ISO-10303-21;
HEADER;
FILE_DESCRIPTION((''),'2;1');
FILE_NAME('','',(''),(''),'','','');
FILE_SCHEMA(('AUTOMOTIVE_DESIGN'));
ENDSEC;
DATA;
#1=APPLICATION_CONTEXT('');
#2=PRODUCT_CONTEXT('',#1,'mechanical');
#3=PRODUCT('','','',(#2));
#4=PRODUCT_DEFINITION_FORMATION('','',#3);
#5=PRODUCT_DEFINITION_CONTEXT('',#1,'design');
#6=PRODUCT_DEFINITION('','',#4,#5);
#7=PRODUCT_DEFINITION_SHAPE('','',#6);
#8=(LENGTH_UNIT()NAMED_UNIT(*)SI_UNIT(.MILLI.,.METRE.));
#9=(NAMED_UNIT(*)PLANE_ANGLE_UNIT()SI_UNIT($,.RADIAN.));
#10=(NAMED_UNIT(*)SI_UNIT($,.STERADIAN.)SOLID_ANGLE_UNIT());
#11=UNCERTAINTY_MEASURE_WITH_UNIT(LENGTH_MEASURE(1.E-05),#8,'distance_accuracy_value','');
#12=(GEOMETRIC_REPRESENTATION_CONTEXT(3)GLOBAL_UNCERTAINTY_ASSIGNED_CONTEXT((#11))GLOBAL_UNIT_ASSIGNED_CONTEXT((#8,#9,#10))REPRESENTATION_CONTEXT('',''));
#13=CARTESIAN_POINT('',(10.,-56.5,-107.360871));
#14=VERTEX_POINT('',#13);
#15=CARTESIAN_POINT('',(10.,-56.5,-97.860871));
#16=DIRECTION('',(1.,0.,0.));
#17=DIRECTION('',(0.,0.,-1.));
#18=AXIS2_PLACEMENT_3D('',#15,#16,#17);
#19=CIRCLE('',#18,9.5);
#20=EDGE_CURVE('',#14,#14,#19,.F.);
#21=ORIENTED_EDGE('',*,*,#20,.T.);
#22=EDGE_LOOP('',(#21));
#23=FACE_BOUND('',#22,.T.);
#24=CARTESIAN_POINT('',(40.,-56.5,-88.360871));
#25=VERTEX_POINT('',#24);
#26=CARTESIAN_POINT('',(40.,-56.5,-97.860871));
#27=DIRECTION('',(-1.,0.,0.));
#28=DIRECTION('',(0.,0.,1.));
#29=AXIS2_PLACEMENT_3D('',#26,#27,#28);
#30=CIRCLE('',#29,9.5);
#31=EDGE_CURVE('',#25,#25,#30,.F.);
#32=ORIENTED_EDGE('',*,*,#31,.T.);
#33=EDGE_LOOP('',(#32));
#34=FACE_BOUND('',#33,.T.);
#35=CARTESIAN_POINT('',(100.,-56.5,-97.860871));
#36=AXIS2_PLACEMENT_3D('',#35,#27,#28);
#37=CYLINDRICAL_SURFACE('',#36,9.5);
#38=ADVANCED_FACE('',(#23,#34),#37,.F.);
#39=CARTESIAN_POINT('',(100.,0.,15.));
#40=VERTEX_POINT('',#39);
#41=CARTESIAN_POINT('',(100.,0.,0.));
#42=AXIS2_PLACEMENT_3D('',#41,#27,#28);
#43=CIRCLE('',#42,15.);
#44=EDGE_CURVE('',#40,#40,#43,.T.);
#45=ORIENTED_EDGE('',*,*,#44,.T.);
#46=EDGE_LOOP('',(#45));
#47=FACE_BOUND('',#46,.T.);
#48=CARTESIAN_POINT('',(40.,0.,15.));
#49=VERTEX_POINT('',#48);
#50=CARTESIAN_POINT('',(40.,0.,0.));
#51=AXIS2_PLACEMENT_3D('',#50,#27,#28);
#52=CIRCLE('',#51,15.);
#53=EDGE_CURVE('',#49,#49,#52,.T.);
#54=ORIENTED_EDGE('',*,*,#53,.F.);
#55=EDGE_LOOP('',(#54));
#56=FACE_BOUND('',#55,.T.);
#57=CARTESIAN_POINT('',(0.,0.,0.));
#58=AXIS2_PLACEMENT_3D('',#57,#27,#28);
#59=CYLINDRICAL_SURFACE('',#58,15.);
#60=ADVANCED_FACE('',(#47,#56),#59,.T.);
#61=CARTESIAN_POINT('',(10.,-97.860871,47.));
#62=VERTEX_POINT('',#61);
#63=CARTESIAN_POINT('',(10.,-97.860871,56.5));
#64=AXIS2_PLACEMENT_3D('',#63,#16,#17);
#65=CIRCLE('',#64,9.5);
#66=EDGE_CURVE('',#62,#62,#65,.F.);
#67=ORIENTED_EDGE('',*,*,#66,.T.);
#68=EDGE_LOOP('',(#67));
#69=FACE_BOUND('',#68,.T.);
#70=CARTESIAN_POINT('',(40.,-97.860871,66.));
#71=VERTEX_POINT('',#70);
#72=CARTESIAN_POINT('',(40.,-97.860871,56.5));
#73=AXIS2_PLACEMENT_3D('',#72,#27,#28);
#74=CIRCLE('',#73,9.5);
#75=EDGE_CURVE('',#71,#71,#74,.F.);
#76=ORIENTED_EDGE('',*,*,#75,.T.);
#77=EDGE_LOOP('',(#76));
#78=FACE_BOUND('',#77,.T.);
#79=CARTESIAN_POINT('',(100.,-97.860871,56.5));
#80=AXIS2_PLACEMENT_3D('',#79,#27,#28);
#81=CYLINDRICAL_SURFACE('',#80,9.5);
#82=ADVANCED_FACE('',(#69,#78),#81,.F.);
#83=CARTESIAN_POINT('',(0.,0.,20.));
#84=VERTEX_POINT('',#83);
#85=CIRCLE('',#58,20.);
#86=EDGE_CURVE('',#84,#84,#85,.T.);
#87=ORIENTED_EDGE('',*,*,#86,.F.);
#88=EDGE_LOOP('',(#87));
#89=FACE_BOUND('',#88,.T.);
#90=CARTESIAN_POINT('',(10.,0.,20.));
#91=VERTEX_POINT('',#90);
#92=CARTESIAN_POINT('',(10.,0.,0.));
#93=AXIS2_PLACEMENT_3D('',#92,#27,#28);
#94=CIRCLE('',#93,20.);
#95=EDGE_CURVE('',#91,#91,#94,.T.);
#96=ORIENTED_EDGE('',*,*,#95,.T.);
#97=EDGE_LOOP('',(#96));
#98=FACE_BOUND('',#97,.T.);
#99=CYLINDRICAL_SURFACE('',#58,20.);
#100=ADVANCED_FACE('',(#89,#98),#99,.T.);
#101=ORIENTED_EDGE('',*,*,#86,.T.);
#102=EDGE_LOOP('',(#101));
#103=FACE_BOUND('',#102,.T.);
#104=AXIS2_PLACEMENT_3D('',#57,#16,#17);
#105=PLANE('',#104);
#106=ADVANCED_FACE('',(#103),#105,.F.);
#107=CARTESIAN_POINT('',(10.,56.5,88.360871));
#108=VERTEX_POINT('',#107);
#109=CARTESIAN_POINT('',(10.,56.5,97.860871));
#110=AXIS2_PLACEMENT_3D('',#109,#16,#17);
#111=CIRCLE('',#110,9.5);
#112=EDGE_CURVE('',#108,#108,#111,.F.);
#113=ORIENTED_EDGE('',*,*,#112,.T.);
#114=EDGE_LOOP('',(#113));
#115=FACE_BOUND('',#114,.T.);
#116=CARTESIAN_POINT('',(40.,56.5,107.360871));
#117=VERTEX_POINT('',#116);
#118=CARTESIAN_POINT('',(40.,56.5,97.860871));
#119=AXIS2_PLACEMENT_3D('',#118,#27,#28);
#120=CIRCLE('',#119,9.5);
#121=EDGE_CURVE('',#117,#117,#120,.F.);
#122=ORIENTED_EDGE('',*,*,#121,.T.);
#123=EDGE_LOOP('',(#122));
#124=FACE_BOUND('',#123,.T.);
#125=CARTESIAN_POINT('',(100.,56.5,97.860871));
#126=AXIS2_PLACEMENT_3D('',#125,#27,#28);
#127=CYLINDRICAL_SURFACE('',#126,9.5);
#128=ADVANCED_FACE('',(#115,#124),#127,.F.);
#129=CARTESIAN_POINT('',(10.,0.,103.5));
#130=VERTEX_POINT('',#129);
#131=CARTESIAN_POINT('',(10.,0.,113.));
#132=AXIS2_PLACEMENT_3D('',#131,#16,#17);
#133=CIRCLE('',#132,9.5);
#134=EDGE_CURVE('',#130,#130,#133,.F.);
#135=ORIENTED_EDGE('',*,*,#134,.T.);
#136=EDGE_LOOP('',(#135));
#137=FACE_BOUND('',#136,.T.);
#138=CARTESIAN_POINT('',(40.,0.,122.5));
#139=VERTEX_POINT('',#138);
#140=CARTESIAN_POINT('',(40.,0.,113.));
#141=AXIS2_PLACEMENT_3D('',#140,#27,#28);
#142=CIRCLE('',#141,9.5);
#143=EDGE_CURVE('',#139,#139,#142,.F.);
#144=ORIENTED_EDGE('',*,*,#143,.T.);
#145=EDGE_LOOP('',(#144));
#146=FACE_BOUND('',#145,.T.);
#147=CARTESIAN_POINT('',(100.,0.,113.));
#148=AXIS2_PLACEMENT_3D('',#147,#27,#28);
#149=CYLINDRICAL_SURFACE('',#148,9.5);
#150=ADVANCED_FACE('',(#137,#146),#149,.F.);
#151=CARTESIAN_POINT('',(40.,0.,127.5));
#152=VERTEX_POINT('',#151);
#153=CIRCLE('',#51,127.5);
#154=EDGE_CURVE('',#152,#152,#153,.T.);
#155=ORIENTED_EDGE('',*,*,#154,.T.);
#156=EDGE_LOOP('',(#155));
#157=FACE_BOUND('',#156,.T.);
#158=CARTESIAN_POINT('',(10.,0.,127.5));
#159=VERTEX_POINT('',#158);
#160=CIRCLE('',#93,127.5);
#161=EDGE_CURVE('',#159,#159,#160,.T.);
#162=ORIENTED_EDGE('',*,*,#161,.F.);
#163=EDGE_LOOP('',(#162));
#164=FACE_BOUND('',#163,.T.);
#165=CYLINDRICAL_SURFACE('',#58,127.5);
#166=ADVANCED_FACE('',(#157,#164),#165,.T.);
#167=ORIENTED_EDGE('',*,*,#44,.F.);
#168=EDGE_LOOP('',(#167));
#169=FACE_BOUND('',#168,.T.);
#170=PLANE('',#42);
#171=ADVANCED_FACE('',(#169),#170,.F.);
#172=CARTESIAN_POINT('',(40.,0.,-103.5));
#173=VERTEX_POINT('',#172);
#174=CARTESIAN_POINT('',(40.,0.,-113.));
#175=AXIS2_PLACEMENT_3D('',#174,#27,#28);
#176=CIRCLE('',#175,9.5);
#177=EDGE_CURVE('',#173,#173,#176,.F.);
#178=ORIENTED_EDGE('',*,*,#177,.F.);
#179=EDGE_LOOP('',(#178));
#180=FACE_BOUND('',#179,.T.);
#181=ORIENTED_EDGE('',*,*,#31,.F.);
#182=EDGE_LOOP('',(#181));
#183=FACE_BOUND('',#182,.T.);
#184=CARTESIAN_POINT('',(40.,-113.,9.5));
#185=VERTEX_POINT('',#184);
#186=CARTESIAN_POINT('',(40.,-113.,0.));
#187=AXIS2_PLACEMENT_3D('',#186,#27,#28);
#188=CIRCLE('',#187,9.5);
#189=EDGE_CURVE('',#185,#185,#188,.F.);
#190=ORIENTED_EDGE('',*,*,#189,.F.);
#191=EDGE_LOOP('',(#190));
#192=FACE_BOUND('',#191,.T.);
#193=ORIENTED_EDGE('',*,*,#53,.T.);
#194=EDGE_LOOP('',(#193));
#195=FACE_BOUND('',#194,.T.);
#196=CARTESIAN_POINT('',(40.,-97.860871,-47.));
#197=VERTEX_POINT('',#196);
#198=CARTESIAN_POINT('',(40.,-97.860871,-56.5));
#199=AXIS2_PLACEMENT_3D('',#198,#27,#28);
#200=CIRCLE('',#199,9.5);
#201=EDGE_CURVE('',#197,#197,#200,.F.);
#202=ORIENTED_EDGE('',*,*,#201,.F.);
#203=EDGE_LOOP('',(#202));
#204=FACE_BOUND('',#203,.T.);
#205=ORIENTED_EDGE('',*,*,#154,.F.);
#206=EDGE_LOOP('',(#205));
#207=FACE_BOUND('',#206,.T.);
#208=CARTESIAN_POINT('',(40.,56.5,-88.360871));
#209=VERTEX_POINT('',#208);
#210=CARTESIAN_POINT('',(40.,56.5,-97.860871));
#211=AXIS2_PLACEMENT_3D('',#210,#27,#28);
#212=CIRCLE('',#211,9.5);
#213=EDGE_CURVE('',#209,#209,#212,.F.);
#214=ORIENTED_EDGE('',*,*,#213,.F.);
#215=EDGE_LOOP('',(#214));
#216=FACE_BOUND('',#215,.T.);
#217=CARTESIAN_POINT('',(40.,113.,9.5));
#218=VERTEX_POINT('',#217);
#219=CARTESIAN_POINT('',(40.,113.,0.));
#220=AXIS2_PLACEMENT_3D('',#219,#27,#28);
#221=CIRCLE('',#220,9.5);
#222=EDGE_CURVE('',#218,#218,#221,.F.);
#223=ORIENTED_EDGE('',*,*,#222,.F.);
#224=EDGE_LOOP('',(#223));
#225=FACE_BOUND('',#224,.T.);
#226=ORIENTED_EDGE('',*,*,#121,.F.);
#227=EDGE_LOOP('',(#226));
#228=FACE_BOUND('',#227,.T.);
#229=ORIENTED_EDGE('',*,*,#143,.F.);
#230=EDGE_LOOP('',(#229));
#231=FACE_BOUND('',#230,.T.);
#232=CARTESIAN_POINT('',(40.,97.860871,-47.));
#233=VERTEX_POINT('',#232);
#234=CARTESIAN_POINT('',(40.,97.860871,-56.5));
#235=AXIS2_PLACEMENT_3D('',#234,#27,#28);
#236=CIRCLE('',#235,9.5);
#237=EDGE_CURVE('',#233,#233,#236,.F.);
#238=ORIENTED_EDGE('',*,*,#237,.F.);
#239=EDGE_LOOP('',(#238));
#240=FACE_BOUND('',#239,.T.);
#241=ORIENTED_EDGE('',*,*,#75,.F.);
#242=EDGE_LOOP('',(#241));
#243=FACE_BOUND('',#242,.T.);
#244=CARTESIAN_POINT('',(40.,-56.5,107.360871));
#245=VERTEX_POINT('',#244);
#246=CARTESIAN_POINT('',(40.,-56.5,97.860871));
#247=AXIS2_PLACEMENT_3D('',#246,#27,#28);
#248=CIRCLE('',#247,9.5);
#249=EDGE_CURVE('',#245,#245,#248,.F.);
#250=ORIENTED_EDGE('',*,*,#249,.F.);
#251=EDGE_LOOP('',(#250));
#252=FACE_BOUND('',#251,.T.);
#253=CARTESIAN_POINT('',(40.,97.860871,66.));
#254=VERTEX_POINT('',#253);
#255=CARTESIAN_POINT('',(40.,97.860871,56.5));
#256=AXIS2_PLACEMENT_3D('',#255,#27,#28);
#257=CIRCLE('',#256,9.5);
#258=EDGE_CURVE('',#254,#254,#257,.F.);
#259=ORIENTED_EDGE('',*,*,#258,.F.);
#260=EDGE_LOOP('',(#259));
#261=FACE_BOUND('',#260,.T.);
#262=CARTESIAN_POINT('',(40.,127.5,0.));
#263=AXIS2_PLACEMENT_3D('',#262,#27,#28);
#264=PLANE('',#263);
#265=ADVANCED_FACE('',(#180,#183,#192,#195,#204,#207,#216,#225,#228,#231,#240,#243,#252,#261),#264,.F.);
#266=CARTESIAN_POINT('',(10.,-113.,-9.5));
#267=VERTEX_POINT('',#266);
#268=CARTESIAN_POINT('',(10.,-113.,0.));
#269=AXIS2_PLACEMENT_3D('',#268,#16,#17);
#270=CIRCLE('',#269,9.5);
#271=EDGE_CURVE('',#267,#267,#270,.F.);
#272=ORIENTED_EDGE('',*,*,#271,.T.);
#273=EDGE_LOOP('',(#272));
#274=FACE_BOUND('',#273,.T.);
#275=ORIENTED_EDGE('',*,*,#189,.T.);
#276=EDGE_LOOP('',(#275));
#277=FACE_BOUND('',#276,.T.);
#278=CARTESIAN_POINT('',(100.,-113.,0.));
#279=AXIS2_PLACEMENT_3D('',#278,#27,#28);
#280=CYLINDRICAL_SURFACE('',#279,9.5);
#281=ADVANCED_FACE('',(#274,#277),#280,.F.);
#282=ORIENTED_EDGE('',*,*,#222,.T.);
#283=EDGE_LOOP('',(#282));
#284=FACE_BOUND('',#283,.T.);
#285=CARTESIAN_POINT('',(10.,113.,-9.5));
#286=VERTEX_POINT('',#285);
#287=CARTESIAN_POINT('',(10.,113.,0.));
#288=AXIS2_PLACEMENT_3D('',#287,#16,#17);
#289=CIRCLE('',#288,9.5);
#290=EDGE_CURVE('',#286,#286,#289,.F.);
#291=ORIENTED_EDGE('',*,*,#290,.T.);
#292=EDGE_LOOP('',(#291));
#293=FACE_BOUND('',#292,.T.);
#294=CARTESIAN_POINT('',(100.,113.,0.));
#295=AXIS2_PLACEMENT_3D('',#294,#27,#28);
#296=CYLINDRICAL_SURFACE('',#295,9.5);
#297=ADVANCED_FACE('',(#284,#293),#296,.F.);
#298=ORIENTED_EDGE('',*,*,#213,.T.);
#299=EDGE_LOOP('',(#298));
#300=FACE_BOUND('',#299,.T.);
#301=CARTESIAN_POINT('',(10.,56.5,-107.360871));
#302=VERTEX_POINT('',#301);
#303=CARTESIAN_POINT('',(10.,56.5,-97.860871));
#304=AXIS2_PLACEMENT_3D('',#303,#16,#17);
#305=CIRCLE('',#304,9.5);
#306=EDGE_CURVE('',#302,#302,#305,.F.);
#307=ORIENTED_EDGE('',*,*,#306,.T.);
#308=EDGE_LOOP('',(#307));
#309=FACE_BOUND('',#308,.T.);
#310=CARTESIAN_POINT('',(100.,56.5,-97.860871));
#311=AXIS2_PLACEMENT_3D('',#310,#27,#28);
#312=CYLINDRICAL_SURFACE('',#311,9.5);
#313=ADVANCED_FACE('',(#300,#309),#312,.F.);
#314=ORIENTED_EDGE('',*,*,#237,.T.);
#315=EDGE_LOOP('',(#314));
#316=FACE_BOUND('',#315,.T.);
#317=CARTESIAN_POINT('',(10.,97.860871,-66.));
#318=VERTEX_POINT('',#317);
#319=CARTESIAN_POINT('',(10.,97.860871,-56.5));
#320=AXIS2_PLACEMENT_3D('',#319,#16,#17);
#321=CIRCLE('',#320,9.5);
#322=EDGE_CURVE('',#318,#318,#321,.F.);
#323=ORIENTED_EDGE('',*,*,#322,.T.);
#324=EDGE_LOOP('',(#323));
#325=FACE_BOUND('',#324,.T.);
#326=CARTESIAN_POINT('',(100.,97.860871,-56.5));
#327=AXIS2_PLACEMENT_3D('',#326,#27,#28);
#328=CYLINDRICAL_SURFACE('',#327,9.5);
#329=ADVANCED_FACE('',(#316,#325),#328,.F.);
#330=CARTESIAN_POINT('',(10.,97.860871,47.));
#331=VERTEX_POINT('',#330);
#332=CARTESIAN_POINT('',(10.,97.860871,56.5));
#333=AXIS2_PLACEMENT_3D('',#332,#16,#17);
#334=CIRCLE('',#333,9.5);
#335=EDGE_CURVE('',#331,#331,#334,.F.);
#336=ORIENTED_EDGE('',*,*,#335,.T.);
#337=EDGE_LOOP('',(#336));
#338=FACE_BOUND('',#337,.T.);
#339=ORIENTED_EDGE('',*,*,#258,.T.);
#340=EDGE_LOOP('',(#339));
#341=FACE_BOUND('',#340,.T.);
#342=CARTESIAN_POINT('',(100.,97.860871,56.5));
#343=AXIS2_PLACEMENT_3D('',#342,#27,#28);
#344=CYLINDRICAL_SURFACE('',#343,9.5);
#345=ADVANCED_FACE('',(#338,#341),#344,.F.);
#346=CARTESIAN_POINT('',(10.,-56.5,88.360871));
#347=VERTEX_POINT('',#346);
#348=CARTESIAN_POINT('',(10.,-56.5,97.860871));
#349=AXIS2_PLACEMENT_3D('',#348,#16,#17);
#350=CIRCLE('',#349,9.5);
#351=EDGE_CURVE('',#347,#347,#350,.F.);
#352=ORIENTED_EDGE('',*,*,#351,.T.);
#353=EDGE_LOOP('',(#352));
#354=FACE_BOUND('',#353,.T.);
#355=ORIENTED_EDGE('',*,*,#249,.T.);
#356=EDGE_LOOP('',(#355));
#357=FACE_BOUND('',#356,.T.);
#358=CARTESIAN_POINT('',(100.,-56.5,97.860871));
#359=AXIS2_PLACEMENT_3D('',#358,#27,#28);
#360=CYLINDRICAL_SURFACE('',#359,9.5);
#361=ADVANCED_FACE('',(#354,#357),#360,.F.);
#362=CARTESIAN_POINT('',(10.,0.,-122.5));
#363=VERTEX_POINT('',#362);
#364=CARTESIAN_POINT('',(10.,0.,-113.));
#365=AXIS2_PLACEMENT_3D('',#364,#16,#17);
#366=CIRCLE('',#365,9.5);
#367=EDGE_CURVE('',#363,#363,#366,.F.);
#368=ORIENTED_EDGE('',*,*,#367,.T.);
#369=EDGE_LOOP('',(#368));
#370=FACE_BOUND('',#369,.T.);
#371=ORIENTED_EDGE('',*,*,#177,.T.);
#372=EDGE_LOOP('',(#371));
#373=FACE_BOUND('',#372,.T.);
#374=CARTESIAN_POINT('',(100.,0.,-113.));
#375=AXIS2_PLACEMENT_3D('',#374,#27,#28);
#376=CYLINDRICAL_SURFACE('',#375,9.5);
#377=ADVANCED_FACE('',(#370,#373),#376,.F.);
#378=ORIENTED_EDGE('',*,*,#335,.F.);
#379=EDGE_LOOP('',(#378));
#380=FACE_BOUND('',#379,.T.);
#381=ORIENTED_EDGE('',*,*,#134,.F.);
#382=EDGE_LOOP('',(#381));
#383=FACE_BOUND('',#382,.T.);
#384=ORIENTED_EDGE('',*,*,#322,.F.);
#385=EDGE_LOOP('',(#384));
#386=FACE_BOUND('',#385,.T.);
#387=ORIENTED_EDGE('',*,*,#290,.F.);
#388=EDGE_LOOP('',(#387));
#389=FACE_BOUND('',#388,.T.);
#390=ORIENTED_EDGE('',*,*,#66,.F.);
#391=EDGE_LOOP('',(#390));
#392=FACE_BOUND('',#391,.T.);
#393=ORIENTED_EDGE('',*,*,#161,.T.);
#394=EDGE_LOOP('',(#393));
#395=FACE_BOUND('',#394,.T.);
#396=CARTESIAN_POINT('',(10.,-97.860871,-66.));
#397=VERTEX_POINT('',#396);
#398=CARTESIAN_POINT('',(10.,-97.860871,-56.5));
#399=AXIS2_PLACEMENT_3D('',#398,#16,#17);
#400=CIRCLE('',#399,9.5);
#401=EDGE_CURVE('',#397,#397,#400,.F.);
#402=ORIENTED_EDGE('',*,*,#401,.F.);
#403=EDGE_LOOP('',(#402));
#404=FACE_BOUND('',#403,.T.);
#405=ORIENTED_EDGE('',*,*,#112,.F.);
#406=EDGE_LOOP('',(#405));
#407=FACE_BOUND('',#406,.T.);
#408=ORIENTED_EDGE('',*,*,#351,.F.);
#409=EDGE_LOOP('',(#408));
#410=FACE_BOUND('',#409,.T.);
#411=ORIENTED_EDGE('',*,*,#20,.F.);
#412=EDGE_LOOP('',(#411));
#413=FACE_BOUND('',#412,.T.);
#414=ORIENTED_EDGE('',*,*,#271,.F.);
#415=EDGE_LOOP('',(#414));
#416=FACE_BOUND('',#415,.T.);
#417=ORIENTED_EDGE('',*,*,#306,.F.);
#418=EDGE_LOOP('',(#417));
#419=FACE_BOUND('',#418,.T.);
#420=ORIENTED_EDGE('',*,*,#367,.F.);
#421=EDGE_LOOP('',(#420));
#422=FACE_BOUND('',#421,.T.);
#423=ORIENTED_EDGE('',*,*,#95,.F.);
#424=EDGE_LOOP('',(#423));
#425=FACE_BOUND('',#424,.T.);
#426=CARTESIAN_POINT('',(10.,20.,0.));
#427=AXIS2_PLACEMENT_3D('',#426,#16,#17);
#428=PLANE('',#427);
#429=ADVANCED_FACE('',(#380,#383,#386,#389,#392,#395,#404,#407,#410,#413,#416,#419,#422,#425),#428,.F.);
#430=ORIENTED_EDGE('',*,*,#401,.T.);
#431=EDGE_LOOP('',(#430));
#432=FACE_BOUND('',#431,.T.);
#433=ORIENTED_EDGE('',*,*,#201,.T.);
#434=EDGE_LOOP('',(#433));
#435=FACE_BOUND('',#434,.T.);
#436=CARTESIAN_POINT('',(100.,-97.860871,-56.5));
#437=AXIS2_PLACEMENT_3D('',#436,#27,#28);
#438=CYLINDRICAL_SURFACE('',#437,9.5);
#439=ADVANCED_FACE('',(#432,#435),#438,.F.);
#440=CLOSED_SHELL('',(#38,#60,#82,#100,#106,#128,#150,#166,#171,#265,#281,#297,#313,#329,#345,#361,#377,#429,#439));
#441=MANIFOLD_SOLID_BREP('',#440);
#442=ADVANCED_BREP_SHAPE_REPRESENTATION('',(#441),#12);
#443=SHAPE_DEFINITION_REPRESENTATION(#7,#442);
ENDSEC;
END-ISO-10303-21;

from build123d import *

# Parameters (mm, degrees)
SKETCH_2_R           = 9.5
CUT_EXTRUDE_1_DEPTH  = 207.185596005
SKETCH_3_R           = 9.5
CUT_EXTRUDE_2_DEPTH  = 207.185596005
SKETCH_4_R           = 9.5
CUT_EXTRUDE_3_DEPTH  = 207.185596005
SKETCH_5_R           = 9.5
CUT_EXTRUDE_4_DEPTH  = 207.185596005
SKETCH_6_R           = 9.5
CUT_EXTRUDE_5_DEPTH  = 207.185596005
SKETCH_7_R           = 9.5
CUT_EXTRUDE_6_DEPTH  = 207.185596005
SKETCH_8_R           = 9.5
CUT_EXTRUDE_7_DEPTH  = 207.185596005
SKETCH_9_R           = 9.5
CUT_EXTRUDE_8_DEPTH  = 207.185596005
SKETCH_10_R          = 9.5
CUT_EXTRUDE_9_DEPTH  = 207.185596005
SKETCH_11_R          = 9.5
CUT_EXTRUDE_10_DEPTH = 207.185596005
SKETCH_12_R          = 9.5
CUT_EXTRUDE_11_DEPTH = 207.185596005
SKETCH_13_R          = 9.5
CUT_EXTRUDE_12_DEPTH = 207.185596005


with BuildPart() as part:
    # Эскиз1 → Повернуть1 (revolve)
    with BuildSketch(Plane.XY, mode=Mode.PRIVATE) as revolve_1_sk:
        Polygon((0, 0), (100, 0), (100, 15), (40, 15), (40, 127.5), (10, 127.5), (10, 20), (0, 20), align=None)
    revolve(revolve_1_sk.sketch.rotate(Axis((0, 0, 0), (1, 0, 0)), 90), axis=Axis((0, 0, 0), (1, 0, 0)))

    # Эскиз2 → Вырез-Вытянуть1 (cut, through all)
    with BuildSketch(Plane(origin=(0, 0, 0), x_dir=(0, 0, -1), z_dir=(1, 0, 0))):
        with Locations(Location((0, 113, 0), (0, 0, 180))):
            Circle(SKETCH_2_R)
    extrude(amount=CUT_EXTRUDE_1_DEPTH, mode=Mode.SUBTRACT)

    # Эскиз3 → Вырез-Вытянуть2 (cut, through all)
    with BuildSketch(Plane(origin=(0, 0, 0), x_dir=(0, 0, -1), z_dir=(1, 0, 0))):
        with Locations(Location((-56.5, 97.860870628, 0), (0, 0, 180))):
            Circle(SKETCH_3_R)
    extrude(amount=CUT_EXTRUDE_2_DEPTH, mode=Mode.SUBTRACT)

    # Эскиз4 → Вырез-Вытянуть3 (cut, through all)
    with BuildSketch(Plane(origin=(0, 0, 0), x_dir=(0, 0, -1), z_dir=(1, 0, 0))):
        with Locations(Location((-97.860870628, 56.5, 0), (0, 0, 180))):
            Circle(SKETCH_4_R)
    extrude(amount=CUT_EXTRUDE_3_DEPTH, mode=Mode.SUBTRACT)

    # Эскиз5 → Вырез-Вытянуть4 (cut, through all)
    with BuildSketch(Plane(origin=(0, 0, 0), x_dir=(0, 0, -1), z_dir=(1, 0, 0))):
        with Locations(Location((-113, 0, 0), (0, 0, 180))):
            Circle(SKETCH_5_R)
    extrude(amount=CUT_EXTRUDE_4_DEPTH, mode=Mode.SUBTRACT)

    # Эскиз6 → Вырез-Вытянуть5 (cut, through all)
    with BuildSketch(Plane(origin=(0, 0, 0), x_dir=(0, 0, -1), z_dir=(1, 0, 0))):
        with Locations(Location((-97.860870628, -56.5, 0), (0, 0, 180))):
            Circle(SKETCH_6_R)
    extrude(amount=CUT_EXTRUDE_5_DEPTH, mode=Mode.SUBTRACT)

    # Эскиз7 → Вырез-Вытянуть6 (cut, through all)
    with BuildSketch(Plane(origin=(0, 0, 0), x_dir=(0, 0, -1), z_dir=(1, 0, 0))):
        with Locations(Location((-56.5, -97.860870628, 0), (0, 0, 180))):
            Circle(SKETCH_7_R)
    extrude(amount=CUT_EXTRUDE_6_DEPTH, mode=Mode.SUBTRACT)

    # Эскиз8 → Вырез-Вытянуть7 (cut, through all)
    with BuildSketch(Plane(origin=(0, 0, 0), x_dir=(0, 0, -1), z_dir=(1, 0, 0))):
        with Locations(Location((0, -113, 0), (0, 0, 180))):
            Circle(SKETCH_8_R)
    extrude(amount=CUT_EXTRUDE_7_DEPTH, mode=Mode.SUBTRACT)

    # Эскиз9 → Вырез-Вытянуть8 (cut, through all)
    with BuildSketch(Plane(origin=(0, 0, 0), x_dir=(0, 0, -1), z_dir=(1, 0, 0))):
        with Locations(Location((56.5, -97.860870628, 0), (0, 0, 180))):
            Circle(SKETCH_9_R)
    extrude(amount=CUT_EXTRUDE_8_DEPTH, mode=Mode.SUBTRACT)

    # Эскиз10 → Вырез-Вытянуть9 (cut, through all)
    with BuildSketch(Plane(origin=(0, 0, 0), x_dir=(0, 0, -1), z_dir=(1, 0, 0))):
        with Locations(Location((97.860870628, -56.5, 0), (0, 0, 180))):
            Circle(SKETCH_10_R)
    extrude(amount=CUT_EXTRUDE_9_DEPTH, mode=Mode.SUBTRACT)

    # Эскиз11 → Вырез-Вытянуть10 (cut, through all)
    with BuildSketch(Plane(origin=(0, 0, 0), x_dir=(0, 0, -1), z_dir=(1, 0, 0))):
        with Locations(Location((113, 0, 0), (0, 0, 180))):
            Circle(SKETCH_11_R)
    extrude(amount=CUT_EXTRUDE_10_DEPTH, mode=Mode.SUBTRACT)

    # Эскиз12 → Вырез-Вытянуть11 (cut, through all)
    with BuildSketch(Plane(origin=(0, 0, 0), x_dir=(0, 0, -1), z_dir=(1, 0, 0))):
        with Locations(Location((97.860870628, 56.5, 0), (0, 0, 180))):
            Circle(SKETCH_12_R)
    extrude(amount=CUT_EXTRUDE_11_DEPTH, mode=Mode.SUBTRACT)

    # Эскиз13 → Вырез-Вытянуть12 (cut, through all)
    with BuildSketch(Plane(origin=(0, 0, 0), x_dir=(0, 0, -1), z_dir=(1, 0, 0))):
        with Locations(Location((56.5, 97.860870628, 0), (0, 0, 180))):
            Circle(SKETCH_13_R)
    extrude(amount=CUT_EXTRUDE_12_DEPTH, mode=Mode.SUBTRACT)


solid = part.part
